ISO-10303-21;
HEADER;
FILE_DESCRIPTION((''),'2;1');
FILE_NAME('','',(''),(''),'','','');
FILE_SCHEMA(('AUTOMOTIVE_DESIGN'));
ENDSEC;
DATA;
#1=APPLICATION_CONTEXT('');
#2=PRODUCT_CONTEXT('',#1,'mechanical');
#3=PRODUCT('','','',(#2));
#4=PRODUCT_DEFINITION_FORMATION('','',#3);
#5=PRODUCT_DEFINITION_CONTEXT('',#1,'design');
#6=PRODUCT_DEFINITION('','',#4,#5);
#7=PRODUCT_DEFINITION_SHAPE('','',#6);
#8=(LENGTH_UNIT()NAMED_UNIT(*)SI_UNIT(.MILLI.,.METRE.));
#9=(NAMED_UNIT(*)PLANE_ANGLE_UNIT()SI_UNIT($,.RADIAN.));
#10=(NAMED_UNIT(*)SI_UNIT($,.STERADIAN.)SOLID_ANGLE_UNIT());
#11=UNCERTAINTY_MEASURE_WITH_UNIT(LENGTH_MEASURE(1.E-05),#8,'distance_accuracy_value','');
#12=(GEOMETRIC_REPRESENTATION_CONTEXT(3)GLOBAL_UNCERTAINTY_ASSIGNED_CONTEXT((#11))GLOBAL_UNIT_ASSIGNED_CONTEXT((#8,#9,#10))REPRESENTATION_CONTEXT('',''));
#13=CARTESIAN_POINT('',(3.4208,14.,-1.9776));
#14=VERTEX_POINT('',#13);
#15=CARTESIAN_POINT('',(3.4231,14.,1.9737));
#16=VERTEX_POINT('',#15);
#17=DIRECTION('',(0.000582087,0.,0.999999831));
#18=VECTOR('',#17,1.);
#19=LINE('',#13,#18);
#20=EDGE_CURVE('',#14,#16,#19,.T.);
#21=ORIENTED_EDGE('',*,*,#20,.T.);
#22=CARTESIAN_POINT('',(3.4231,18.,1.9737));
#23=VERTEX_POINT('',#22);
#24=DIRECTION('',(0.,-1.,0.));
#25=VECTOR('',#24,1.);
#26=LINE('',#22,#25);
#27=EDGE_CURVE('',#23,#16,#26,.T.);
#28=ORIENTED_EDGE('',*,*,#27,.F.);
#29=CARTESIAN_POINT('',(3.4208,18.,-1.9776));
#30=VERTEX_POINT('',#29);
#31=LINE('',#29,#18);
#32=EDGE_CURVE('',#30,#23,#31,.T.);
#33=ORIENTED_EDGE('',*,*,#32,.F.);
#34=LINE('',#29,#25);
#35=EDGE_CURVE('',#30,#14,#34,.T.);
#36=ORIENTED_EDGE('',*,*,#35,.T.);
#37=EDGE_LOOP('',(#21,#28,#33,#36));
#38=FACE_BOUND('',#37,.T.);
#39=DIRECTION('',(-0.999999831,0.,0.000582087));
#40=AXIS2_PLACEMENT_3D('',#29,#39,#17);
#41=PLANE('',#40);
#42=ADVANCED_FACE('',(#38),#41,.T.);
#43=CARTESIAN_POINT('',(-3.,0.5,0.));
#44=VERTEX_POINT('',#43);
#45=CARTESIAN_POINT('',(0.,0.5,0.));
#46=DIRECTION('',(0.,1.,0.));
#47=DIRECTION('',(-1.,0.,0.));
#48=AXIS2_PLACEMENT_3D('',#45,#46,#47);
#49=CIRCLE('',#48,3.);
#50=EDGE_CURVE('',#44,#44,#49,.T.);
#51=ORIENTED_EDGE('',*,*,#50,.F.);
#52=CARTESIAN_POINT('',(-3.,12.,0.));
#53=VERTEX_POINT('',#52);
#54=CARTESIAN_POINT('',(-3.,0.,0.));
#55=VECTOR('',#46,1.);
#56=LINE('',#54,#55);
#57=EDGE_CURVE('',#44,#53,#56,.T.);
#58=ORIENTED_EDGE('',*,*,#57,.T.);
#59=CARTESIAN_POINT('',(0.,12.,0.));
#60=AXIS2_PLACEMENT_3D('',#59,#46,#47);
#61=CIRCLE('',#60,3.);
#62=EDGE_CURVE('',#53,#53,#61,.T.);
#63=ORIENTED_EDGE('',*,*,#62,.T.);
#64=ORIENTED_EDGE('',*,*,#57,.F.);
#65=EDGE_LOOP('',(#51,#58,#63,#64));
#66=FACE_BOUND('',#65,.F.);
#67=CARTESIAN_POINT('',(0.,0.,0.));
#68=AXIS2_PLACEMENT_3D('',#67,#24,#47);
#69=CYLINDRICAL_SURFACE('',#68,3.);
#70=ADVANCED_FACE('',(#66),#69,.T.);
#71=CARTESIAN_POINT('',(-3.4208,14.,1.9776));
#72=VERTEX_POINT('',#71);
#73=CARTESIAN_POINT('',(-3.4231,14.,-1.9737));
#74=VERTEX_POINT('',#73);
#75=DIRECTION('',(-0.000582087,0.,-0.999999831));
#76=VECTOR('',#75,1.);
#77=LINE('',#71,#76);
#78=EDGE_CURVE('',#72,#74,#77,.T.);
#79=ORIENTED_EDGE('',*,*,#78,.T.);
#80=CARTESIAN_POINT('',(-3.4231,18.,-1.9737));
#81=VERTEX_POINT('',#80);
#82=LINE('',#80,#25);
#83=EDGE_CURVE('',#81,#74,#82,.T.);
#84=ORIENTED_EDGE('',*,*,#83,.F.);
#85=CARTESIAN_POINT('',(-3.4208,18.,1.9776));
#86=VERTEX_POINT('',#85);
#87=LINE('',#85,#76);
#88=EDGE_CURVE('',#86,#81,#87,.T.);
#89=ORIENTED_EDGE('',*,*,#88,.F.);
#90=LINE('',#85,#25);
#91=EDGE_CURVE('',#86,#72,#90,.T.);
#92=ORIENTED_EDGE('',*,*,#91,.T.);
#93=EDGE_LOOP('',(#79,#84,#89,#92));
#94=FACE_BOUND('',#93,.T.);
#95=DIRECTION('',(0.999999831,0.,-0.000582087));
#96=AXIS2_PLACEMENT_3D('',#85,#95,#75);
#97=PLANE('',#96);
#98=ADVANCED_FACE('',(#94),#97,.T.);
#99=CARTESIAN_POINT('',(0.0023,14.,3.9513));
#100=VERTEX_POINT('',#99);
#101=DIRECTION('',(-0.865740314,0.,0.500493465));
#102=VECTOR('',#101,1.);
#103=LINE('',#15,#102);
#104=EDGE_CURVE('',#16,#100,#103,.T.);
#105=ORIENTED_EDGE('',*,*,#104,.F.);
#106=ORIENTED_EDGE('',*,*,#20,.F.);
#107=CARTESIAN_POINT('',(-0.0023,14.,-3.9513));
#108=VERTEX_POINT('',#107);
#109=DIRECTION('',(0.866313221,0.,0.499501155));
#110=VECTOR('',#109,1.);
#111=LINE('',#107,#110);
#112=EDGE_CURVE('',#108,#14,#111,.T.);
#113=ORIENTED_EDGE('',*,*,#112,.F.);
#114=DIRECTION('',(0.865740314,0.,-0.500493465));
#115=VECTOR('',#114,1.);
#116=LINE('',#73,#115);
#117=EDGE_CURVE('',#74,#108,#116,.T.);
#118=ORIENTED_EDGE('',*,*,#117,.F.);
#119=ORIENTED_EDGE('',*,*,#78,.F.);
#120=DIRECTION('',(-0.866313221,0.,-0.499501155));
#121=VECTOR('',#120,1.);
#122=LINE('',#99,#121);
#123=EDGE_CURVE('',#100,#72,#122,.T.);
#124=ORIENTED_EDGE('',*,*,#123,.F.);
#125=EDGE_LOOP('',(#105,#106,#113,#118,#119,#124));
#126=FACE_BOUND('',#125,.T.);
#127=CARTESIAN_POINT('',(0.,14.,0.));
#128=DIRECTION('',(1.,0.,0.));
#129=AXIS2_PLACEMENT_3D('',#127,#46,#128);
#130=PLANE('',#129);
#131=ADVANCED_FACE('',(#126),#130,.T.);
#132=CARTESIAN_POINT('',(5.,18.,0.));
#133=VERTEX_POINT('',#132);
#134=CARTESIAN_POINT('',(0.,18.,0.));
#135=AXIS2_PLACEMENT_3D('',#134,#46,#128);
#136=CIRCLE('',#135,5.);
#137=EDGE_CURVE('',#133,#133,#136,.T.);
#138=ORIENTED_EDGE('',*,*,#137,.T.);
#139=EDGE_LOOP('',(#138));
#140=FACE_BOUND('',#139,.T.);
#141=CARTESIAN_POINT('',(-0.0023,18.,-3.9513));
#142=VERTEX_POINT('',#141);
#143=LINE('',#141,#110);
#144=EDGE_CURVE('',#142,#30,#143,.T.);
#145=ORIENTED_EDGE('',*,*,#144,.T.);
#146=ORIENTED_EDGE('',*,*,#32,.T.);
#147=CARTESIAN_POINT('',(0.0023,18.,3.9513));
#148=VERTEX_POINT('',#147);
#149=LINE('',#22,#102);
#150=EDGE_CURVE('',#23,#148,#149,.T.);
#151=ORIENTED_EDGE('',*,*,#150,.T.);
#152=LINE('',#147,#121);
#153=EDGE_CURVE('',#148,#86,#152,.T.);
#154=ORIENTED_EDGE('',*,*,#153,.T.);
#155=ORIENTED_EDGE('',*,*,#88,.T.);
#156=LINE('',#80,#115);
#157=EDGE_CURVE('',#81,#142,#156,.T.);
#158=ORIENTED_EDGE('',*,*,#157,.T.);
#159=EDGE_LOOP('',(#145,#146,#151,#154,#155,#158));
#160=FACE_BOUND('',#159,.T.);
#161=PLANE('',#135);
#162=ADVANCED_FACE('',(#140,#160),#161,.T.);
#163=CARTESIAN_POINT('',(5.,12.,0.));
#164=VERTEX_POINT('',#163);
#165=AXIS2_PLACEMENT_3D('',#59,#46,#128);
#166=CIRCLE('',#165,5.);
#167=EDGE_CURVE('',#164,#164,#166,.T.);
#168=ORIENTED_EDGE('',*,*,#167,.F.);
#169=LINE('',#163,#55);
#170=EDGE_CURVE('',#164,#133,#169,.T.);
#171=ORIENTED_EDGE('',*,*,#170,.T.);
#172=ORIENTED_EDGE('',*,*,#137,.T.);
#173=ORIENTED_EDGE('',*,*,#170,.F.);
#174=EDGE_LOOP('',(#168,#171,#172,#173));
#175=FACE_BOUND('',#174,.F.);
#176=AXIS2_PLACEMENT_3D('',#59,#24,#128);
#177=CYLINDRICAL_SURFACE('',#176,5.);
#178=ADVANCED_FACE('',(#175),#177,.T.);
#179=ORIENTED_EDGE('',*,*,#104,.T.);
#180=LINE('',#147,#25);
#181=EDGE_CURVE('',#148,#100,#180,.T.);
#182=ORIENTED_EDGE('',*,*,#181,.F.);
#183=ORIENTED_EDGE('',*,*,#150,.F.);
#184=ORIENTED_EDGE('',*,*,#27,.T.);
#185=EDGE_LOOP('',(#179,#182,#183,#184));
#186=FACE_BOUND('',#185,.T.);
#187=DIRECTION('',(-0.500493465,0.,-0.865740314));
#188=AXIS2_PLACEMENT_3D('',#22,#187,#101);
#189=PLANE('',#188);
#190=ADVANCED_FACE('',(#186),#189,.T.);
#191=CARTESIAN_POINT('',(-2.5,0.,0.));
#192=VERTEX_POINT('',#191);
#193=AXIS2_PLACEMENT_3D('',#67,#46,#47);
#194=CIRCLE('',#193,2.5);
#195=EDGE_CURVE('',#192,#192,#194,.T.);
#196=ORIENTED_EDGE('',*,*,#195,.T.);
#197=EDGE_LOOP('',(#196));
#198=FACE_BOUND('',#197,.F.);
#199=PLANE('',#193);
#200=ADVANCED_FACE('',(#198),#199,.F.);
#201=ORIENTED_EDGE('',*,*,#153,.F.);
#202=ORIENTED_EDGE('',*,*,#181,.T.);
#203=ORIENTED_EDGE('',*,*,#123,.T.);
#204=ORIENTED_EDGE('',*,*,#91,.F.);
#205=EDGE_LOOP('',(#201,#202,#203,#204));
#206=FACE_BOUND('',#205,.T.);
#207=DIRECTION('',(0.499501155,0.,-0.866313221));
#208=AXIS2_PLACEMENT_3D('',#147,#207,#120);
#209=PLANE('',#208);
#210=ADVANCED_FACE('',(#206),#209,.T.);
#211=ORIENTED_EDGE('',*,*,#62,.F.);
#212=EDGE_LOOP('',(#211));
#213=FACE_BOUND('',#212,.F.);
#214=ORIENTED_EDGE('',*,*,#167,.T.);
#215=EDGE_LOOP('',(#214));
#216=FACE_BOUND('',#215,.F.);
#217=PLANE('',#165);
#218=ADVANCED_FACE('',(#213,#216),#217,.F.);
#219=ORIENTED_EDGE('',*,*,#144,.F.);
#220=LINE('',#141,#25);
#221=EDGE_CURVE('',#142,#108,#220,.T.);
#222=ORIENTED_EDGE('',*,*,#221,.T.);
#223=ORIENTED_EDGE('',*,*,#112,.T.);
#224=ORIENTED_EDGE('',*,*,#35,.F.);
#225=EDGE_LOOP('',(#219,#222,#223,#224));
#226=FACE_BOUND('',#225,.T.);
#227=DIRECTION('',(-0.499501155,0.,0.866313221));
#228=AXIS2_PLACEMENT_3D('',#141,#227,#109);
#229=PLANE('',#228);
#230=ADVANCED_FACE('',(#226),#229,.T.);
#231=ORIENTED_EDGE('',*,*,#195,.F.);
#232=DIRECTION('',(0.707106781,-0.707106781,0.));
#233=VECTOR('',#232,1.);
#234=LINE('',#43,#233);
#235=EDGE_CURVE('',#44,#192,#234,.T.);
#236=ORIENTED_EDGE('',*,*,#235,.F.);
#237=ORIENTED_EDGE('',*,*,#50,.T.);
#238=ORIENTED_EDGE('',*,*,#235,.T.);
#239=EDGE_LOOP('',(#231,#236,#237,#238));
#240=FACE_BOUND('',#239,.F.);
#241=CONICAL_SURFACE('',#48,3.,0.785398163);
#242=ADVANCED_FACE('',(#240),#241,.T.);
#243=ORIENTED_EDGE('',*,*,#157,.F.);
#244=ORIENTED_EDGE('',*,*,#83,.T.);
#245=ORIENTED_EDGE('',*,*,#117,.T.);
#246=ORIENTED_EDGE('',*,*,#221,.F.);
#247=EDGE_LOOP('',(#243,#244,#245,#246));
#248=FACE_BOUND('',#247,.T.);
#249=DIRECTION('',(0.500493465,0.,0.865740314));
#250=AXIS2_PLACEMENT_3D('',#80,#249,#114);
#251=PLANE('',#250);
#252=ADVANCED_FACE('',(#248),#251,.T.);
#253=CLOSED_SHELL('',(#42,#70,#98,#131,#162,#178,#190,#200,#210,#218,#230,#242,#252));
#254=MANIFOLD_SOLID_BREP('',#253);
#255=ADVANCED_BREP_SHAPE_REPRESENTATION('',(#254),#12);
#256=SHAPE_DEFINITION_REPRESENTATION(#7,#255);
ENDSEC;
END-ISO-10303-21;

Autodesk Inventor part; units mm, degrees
ref_plane "YZ Plane" through (0, 0, 0) normal (1, 0, 0) x (0, 1, 0)
ref_plane "XZ Plane" through (0, 0, 0) normal (0, 1, 0) x (-1, 0, 0)
ref_plane "XY Plane" through (0, 0, 0) normal (0, 0, 1) x (1, 0, 0)
sketch "Sketch1" plane through (0, 0, 0) normal (0, 1, 0) x (-1, 0, 0)
  circle A0 centre (0, 0) radius 3
  dimension "d0" = 6
extrude "Extrusion1" add sketch "Sketch1" along normal blind 12
thread "Thread1" size "M6x1" class "6g" standard "ANSI Metric M Profile" full length
chamfer "Chamfer1" distance 0.5 angle 45 1 edges at (3, 0, 0)
sketch "Sketch2" plane through (0, 12, 0) normal (0, 1, 0) x (1, 0, 0)
  circle A0 centre (0, 0) radius 5
  dimension "d8" = 10
extrude "Extrusion2" add sketch "Sketch2" along normal blind 6
sketch "Sketch3" plane through (0, 18, 0) normal (0, 1, 0) x (1, 0, 0)
  line L0 (-3.4231, 1.9737) -> (-0.0023, 3.9513)
  line L1 (-0.0023, 3.9513) -> (3.4208, 1.9776)
  line L2 (3.4208, 1.9776) -> (3.4231, -1.9737)
  line L3 (3.4231, -1.9737) -> (0.0023, -3.9513)
  line L4 (0.0023, -3.9513) -> (-3.4208, -1.9776)
  line L5 (-3.4208, -1.9776) -> (-3.4231, 1.9737)
  point P0 (0, 0)
  point P1 (0, 0)
extrude "Extrusion3" cut sketch "Sketch3" against normal blind 4
properties part number "M6_12mm" material "Steel, Carbon"
